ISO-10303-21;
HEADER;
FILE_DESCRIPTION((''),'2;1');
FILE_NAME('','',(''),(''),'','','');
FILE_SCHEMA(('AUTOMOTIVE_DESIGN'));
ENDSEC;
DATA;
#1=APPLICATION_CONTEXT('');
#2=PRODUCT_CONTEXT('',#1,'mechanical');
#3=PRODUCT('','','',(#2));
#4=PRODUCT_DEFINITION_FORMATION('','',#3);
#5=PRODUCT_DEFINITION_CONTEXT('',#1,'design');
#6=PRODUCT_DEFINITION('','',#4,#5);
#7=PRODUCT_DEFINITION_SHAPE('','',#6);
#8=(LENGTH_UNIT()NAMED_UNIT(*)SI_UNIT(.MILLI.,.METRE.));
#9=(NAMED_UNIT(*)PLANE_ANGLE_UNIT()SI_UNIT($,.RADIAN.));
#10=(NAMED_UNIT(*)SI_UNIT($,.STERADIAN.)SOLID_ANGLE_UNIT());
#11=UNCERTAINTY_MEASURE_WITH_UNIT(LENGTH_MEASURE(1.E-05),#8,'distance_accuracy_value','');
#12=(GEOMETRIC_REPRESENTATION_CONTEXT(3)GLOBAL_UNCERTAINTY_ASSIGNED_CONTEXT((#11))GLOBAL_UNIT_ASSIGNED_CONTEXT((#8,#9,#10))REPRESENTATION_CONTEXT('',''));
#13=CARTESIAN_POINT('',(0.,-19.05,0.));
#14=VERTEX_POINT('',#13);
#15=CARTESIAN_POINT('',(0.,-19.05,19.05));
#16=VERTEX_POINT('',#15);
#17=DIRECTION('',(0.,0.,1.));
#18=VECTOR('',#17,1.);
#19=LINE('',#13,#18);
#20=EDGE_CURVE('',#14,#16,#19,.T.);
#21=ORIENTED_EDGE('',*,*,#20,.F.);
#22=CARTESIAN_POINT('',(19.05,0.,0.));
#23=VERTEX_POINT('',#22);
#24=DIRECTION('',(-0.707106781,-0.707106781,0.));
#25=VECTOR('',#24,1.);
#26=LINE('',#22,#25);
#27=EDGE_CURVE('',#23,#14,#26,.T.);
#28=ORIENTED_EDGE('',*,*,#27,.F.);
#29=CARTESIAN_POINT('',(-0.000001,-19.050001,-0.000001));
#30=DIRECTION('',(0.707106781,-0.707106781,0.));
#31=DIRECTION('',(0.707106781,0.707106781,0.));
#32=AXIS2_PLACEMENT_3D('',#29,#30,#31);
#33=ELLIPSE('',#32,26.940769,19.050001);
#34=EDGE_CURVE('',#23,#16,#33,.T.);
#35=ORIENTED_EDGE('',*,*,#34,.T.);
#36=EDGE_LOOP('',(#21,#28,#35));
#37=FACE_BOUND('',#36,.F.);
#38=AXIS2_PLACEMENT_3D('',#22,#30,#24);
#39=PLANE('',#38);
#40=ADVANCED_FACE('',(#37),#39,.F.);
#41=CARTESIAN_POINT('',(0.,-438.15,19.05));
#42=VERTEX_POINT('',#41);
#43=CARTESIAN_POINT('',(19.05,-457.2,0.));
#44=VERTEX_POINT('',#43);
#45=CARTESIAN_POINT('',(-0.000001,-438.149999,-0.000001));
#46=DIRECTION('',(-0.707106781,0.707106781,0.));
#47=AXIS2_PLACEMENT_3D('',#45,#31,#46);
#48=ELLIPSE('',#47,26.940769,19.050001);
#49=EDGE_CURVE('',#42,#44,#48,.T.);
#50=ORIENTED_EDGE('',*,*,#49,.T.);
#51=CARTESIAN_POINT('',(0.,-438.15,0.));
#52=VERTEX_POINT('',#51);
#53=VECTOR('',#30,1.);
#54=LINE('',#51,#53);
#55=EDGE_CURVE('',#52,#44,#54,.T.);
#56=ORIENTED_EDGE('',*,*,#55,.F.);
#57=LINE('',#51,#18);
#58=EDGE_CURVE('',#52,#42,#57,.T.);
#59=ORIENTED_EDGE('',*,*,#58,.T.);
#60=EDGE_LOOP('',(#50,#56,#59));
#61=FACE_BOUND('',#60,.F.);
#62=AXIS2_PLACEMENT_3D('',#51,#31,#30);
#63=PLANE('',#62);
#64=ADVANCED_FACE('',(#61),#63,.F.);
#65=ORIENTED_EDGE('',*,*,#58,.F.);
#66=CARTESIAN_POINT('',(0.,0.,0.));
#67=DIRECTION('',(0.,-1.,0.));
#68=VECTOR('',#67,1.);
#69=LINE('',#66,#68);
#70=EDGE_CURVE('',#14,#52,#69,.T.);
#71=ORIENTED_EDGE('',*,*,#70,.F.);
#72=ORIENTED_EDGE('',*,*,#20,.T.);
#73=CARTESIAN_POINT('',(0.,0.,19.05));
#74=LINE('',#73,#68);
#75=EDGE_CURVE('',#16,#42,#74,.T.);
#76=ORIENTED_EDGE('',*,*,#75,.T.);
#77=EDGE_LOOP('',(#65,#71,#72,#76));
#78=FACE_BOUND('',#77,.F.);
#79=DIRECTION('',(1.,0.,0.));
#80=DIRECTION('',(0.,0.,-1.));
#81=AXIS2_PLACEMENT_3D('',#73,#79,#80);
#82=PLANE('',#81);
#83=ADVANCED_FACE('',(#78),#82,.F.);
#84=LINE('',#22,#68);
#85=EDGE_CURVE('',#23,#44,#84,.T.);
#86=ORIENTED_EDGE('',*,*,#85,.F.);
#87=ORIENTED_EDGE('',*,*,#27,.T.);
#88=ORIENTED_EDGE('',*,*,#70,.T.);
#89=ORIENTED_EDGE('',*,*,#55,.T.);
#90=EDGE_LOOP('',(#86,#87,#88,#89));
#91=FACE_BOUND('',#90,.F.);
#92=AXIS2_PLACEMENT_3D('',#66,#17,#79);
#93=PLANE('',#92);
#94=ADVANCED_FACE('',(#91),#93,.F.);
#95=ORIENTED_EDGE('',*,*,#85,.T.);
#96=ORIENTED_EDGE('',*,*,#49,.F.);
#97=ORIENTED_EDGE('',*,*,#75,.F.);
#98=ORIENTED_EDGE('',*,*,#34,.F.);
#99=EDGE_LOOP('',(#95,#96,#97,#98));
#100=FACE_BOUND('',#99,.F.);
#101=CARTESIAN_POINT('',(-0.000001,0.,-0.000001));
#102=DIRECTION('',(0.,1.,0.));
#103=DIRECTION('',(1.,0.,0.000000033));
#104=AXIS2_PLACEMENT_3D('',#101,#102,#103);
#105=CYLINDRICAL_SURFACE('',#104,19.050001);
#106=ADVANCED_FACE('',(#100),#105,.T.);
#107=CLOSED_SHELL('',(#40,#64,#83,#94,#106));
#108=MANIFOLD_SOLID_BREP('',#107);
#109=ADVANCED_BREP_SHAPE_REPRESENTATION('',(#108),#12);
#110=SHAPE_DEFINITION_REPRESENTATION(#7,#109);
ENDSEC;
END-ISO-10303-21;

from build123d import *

# Parameters (mm, degrees)
F1_DEPTH = 457.2
F3_DEPTH = 25.4


with BuildPart() as f1:
    # F0 (on Front) → F1 (new body)
    with BuildSketch(Plane.XZ):
        with BuildLine():
            Line((0, 19.05), (0, 0))
            Line((0, 0), (19.05, 0))
            ThreePointArc((19.05, 0), (13.470384, 13.470384), (0, 19.05))
        make_face()
    extrude(amount=F1_DEPTH)

    # F2 (on face) → F3 (cut)
    with BuildSketch(Plane(origin=(0, 0, 0), x_dir=(1, 0, 0), z_dir=(0, 0, -1))):
        Polygon((0, 0), (19.05, 0), (0, 19.05), align=None)
        Polygon((0, 438.15), (19.05, 457.2), (0, 457.2), align=None)
    extrude(amount=-F3_DEPTH, mode=Mode.SUBTRACT)


solid = f1.part
